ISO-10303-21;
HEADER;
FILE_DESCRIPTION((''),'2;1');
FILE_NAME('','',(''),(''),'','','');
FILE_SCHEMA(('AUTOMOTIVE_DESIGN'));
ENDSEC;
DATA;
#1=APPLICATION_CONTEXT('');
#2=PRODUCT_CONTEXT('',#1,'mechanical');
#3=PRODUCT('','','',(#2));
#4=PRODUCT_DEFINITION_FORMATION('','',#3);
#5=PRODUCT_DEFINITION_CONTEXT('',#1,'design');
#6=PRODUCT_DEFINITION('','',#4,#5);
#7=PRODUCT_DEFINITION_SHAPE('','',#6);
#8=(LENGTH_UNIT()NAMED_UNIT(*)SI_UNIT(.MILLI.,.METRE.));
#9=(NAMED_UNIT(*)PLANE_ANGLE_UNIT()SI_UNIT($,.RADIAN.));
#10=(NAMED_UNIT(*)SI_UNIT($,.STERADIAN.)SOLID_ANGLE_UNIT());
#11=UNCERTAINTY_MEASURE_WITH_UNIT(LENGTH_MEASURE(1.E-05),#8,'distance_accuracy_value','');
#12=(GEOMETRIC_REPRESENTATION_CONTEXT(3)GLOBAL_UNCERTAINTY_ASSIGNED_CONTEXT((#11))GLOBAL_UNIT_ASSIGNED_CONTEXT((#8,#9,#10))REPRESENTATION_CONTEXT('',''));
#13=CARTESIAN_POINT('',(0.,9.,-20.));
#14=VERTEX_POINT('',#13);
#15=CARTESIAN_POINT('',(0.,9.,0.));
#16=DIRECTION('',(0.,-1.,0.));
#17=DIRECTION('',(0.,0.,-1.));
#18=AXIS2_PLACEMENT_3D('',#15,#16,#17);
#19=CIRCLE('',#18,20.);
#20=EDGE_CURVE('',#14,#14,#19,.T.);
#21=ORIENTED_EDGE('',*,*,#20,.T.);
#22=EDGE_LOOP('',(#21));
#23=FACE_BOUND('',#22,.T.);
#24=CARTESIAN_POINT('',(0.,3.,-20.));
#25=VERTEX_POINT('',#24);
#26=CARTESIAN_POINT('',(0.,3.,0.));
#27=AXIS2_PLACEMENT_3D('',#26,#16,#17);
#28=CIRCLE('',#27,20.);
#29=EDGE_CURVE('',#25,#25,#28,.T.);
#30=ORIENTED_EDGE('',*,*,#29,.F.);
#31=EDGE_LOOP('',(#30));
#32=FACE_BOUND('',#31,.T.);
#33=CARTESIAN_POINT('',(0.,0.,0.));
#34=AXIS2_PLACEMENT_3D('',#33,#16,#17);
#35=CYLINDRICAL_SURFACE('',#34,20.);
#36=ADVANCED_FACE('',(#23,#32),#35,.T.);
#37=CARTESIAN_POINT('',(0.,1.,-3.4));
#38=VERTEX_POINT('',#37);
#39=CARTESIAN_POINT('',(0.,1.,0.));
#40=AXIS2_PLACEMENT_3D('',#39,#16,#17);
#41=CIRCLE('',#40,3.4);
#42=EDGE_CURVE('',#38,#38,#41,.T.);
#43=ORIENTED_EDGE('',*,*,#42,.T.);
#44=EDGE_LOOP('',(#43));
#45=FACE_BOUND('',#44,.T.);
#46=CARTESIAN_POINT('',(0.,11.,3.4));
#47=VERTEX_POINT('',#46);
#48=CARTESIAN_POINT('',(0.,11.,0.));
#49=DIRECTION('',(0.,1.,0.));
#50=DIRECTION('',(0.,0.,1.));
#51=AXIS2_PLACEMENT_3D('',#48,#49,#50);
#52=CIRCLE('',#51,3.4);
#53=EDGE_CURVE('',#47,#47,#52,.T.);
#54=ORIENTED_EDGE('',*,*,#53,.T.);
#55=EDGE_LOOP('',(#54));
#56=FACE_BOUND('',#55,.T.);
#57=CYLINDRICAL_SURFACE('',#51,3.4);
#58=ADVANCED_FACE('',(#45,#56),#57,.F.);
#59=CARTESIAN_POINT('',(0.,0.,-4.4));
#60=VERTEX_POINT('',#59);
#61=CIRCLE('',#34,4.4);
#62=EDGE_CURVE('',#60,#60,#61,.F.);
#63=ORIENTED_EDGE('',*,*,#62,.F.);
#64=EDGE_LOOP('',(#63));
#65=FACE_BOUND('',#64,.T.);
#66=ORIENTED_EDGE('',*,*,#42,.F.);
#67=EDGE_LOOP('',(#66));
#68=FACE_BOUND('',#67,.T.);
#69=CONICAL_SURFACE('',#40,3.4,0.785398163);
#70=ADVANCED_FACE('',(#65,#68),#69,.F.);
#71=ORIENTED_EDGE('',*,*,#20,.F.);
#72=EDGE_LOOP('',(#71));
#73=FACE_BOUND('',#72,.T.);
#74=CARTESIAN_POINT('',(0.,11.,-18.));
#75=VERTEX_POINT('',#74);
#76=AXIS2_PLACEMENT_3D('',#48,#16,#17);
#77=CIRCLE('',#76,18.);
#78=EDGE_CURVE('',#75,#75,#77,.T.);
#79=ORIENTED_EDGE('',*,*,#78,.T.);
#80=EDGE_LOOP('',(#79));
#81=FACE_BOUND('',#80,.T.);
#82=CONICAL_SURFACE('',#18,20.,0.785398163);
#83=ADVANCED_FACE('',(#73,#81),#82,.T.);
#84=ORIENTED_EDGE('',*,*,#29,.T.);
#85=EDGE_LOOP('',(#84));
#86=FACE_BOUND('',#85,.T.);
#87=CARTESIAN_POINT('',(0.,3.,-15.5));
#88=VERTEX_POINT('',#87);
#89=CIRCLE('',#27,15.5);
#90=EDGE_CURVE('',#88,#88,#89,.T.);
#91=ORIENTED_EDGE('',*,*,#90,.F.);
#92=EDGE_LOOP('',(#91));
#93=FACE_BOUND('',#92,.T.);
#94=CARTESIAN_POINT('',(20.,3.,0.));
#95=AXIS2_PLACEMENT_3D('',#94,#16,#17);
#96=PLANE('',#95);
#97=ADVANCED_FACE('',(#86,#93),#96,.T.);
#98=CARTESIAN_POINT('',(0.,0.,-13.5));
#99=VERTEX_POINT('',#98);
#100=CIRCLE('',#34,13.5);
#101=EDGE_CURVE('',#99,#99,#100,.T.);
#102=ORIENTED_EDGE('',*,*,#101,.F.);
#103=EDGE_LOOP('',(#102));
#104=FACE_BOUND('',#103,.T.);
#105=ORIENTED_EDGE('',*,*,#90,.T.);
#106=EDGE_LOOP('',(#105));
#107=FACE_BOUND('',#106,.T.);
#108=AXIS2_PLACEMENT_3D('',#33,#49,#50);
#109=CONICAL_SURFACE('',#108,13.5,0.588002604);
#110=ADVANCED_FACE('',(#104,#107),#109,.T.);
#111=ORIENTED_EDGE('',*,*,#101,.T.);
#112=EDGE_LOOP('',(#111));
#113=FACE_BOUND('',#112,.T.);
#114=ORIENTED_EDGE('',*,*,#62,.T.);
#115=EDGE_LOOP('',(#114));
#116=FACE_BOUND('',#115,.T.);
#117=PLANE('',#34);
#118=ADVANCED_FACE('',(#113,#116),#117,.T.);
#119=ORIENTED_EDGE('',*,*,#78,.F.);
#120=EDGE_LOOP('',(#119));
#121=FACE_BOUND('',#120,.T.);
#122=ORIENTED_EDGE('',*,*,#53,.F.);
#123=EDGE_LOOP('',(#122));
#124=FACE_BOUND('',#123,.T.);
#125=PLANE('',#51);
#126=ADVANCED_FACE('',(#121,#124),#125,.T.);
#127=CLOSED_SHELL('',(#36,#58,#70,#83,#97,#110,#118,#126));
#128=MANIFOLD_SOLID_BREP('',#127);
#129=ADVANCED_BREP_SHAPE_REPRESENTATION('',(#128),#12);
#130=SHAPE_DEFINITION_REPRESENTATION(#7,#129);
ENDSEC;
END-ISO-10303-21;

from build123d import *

# Parameters (mm, degrees)
M8_TAPPED_HOLE1_D     = 6.8
M8_TAPPED_HOLE1_DEPTH = 21.25
CHAMFER1_SIZE         = 1


with BuildPart() as part:
    # Sketch1 → Revolve1 (revolve)
    with BuildSketch(Plane.XY, mode=Mode.PRIVATE) as revolve1_sk:
        Polygon((0, 0), (0, 11), (18, 11), (20, 9), (20, 3), (15.5, 3), (13.5, 0), align=None)
    revolve(revolve1_sk.sketch.rotate(Axis((0, 0, 0), (0, 1, 0)), 90), axis=Axis((0, 0, 0), (0, 1, 0)))

    # M8 Tapped Hole1
    with Locations(Plane(origin=(0, 11, 0), x_dir=(1, 0, 0), z_dir=(0, 1, 0))):
        with Locations((0, 0)):
            Hole(M8_TAPPED_HOLE1_D / 2, depth=M8_TAPPED_HOLE1_DEPTH)

    # Chamfer1
    chamfer1_edges = [part.edges().sort_by_distance(p)[0] for p in [
        (3.4, 0, 0),
    ]]
    chamfer(chamfer1_edges, length=CHAMFER1_SIZE)


solid = part.part
